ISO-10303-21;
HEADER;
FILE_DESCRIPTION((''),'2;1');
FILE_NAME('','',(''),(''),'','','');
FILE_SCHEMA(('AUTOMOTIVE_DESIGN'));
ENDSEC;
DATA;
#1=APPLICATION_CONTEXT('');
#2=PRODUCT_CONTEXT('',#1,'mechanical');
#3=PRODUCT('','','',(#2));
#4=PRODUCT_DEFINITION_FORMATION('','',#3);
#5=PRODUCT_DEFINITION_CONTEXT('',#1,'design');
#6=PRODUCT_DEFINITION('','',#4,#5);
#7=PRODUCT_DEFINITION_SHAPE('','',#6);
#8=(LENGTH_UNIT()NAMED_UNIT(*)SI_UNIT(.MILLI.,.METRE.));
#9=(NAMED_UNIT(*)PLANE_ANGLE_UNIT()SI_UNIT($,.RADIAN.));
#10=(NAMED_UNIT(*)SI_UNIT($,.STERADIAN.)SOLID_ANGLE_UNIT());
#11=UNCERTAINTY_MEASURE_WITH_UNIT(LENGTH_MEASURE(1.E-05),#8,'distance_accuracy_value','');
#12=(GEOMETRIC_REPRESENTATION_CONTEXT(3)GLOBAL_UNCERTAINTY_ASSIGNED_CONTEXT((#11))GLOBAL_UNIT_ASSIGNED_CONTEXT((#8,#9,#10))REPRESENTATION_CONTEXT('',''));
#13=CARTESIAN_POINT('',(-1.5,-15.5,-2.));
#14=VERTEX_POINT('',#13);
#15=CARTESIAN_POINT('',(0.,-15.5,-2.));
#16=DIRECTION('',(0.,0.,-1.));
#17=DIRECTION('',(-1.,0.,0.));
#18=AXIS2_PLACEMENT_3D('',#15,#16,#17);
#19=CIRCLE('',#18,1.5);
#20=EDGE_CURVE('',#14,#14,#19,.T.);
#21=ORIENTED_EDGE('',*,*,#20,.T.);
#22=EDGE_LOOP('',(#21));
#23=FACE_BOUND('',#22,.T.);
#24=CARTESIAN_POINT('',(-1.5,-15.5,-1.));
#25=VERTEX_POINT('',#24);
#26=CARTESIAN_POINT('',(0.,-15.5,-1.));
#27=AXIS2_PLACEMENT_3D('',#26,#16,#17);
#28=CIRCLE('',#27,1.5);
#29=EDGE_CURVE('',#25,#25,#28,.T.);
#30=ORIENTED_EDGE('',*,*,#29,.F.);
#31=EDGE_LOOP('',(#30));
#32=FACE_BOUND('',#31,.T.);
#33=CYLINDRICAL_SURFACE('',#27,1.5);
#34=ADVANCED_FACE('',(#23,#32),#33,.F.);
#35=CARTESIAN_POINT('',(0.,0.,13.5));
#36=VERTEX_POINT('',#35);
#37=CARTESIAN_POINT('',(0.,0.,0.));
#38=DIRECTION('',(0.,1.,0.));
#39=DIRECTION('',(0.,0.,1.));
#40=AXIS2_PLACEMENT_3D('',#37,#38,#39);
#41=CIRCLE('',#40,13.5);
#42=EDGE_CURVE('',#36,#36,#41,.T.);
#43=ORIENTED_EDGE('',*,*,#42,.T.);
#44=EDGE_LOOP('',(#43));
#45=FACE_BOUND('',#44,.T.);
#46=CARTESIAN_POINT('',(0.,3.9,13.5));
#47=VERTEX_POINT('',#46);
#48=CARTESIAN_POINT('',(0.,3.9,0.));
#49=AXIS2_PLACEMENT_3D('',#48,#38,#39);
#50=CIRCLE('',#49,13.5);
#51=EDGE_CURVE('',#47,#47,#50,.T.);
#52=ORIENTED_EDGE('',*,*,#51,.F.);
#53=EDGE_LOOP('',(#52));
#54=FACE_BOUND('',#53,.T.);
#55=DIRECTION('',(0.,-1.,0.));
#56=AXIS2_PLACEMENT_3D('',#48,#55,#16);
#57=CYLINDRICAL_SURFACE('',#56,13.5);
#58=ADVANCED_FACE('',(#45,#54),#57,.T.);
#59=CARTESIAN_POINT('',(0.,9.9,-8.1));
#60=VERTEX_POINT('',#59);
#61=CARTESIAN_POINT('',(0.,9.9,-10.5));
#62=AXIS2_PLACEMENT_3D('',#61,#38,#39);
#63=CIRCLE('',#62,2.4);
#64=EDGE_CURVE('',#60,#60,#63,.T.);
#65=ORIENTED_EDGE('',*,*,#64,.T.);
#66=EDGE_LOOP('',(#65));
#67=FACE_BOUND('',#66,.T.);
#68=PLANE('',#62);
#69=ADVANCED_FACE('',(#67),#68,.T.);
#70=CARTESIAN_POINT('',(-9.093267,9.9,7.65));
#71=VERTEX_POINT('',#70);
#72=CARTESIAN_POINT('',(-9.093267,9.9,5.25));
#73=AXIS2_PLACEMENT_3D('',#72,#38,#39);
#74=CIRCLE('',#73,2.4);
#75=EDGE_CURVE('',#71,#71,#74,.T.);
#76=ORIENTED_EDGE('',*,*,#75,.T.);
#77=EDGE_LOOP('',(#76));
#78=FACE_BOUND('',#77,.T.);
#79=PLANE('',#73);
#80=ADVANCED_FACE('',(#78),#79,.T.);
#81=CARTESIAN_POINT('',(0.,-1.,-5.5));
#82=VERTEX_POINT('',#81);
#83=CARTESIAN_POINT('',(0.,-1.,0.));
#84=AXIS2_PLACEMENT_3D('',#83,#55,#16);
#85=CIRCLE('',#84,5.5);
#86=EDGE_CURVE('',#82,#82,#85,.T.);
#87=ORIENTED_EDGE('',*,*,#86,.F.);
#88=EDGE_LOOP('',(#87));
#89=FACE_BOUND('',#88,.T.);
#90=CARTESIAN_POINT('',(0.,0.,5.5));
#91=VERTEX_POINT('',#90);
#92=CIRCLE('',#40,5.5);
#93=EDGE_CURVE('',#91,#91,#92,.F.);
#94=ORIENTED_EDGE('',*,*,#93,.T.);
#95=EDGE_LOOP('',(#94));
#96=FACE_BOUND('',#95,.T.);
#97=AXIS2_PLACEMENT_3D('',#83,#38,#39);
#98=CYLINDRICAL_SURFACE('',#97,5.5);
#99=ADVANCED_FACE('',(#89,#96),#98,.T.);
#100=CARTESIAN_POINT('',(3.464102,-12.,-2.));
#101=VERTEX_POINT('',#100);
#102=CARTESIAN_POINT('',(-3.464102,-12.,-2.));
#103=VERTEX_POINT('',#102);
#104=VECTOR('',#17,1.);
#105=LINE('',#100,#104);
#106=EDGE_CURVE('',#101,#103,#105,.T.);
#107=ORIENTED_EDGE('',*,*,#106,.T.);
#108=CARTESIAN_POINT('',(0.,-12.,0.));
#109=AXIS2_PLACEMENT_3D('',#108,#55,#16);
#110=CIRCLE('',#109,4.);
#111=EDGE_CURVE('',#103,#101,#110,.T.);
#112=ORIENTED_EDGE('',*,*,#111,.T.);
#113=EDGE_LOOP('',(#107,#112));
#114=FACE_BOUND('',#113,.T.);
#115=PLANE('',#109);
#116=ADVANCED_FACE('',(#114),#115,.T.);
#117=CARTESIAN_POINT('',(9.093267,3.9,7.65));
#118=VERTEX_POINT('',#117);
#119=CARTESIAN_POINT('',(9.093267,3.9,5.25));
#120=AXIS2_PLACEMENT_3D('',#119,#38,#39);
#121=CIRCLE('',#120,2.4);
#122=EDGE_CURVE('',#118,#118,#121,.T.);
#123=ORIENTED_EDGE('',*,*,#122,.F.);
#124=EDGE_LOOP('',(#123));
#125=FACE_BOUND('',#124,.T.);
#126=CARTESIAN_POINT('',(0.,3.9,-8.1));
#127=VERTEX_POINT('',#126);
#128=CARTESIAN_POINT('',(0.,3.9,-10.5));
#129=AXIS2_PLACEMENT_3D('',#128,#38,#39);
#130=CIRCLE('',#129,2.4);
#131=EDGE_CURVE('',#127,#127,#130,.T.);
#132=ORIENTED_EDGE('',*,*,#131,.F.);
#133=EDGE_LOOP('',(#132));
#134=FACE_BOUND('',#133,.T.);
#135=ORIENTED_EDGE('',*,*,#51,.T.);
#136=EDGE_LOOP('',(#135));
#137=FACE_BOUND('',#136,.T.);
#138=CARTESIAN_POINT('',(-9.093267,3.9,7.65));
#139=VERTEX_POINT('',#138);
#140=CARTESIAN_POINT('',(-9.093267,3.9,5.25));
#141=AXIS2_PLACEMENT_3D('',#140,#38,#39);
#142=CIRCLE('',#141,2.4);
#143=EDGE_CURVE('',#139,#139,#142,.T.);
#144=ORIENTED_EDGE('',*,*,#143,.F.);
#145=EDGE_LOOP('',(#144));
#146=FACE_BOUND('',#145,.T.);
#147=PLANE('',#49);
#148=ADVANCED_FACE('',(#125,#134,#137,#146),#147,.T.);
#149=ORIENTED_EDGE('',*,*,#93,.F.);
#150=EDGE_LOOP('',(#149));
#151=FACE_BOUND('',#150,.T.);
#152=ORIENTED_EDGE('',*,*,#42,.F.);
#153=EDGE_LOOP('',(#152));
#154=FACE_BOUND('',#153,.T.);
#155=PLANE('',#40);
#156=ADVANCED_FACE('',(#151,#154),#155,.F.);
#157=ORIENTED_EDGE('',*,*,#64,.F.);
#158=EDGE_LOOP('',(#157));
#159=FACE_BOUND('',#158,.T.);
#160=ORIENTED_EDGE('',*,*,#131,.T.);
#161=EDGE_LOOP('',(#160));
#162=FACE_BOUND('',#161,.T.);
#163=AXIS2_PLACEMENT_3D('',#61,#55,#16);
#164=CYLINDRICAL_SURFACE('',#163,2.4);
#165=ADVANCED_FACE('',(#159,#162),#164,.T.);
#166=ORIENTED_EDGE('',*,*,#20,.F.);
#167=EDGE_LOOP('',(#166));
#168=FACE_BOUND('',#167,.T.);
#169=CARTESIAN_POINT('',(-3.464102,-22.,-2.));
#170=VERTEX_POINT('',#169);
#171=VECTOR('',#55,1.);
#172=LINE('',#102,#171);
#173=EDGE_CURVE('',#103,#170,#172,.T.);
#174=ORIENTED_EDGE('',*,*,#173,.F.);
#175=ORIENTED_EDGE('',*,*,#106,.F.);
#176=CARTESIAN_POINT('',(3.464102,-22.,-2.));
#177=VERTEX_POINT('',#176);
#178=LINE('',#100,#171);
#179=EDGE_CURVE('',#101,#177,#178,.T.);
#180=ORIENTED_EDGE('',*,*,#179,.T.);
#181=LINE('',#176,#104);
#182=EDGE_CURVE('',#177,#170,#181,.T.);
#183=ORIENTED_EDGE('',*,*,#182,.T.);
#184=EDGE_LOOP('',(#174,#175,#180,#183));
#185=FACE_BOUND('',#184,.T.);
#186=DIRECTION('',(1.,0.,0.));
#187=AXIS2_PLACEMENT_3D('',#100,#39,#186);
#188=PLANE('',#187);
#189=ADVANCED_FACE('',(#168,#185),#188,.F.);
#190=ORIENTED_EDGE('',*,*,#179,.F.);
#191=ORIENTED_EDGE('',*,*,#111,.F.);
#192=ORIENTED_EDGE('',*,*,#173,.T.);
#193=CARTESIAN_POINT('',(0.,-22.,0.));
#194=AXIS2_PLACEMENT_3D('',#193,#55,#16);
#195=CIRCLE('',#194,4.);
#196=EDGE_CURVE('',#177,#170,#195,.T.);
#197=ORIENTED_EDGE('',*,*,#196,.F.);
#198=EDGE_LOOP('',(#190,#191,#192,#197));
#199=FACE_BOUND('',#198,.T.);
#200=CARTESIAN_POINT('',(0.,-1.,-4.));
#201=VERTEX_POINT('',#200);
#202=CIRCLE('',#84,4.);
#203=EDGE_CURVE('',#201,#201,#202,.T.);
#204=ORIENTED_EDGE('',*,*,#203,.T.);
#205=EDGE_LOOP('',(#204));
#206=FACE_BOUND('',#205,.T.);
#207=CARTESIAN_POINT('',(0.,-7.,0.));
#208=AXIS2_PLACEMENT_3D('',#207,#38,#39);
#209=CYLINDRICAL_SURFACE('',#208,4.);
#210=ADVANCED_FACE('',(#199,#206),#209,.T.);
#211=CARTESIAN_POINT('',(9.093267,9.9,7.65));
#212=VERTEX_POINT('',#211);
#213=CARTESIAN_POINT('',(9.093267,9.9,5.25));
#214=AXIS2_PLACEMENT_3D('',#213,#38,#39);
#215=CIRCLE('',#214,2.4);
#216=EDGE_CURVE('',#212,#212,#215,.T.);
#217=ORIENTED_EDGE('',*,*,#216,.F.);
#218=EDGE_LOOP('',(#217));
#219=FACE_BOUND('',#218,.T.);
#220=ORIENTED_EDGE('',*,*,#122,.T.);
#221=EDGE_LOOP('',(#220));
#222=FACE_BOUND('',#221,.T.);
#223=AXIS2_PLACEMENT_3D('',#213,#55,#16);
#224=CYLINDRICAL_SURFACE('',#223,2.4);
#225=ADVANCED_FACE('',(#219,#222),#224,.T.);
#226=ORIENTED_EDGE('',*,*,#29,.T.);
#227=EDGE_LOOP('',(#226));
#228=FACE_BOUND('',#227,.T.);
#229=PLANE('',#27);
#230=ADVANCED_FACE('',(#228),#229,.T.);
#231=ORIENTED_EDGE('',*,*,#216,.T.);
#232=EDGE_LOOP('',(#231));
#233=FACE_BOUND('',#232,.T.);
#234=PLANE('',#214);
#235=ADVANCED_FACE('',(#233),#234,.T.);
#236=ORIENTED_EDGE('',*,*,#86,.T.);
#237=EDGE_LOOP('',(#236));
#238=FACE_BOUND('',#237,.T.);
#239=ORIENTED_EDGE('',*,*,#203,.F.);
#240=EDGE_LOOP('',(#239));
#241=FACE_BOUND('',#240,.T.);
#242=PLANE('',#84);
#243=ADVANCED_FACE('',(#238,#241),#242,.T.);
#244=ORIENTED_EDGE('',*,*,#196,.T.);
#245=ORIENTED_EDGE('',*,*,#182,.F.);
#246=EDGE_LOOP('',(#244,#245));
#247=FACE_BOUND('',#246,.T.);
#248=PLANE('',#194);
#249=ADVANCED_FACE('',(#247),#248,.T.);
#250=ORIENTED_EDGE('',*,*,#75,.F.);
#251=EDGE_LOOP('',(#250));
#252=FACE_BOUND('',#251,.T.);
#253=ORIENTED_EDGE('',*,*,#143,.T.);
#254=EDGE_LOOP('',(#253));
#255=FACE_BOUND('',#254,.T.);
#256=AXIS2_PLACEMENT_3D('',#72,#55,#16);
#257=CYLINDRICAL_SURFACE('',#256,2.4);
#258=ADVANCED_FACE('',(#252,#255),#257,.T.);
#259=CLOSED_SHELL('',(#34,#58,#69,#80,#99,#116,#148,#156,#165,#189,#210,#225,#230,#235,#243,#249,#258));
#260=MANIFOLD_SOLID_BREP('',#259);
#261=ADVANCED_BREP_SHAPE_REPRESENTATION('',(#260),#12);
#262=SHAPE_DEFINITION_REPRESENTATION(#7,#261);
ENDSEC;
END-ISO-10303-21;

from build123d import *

# Parameters (mm, degrees)
SKETCH_1_R          = 13.5
EXTRUDE_1_DEPTH     = 3.9
SKETCH_2_R          = 2.4
EXTRUDE_2_DEPTH     = 6
SKETCH_3_R          = 4
EXTRUDE_3_DEPTH     = 7
SKETCH_4_R          = 5.5
EXTRUDE_4_DEPTH     = 1
SKETCH_5_R          = 4
EXTRUDE_5_DEPTH     = 15
CUT_EXTRUDE_START   = -10
CUT_EXTRUDE_1_DEPTH = 10
SKETCH_7_R          = 1.5
CUT_EXTRUDE_2_DEPTH = 1


with BuildPart() as part:
    # 草图1 → 凸台-拉伸1 (new body)
    with BuildSketch(Plane(origin=(0, 0, 0), x_dir=(1, 0, 0), z_dir=(0, 1, 0))):
        with Locations(Location((0, 0, 0), (0, 0, 270))):
            Circle(SKETCH_1_R)
    extrude(amount=EXTRUDE_1_DEPTH)

    # 草图2 → 凸台-拉伸2 (add)
    with BuildSketch(Plane(origin=(0, 3.9, 0), x_dir=(1, 0, 0), z_dir=(0, 1, 0))):
        with Locations(Location((0, 10.5, 0), (0, 0, 270))):
            Circle(SKETCH_2_R)
        with Locations(Location((9.09326674, -5.25, 0), (0, 0, 270))):
            Circle(SKETCH_2_R)
        with Locations(Location((-9.09326674, -5.25, 0), (0, 0, 270))):
            Circle(SKETCH_2_R)
    extrude(amount=EXTRUDE_2_DEPTH)

    # 草图3 → 凸台-拉伸3 (add)
    with BuildSketch(Plane.XZ):
        with Locations(Location((0, 0, 0), (0, 0, 270))):
            Circle(SKETCH_3_R)
    extrude(amount=EXTRUDE_3_DEPTH)

    # 草图4 → 凸台-拉伸4 (add)
    with BuildSketch(Plane.XZ):
        with Locations(Location((0, 0, 0), (0, 0, 90))):
            Circle(SKETCH_4_R)
    extrude(amount=EXTRUDE_4_DEPTH)

    # 草图5 → 凸台-拉伸5 (add)
    with BuildSketch(Plane.XZ.offset(7)):
        with Locations(Location((0, 0, 0), (0, 0, 270))):
            Circle(SKETCH_5_R)
    extrude(amount=EXTRUDE_5_DEPTH)

    # 草图6 → 切除-拉伸1 (cut)
    with BuildSketch(Plane.XZ.offset(22).offset(CUT_EXTRUDE_START)):
        with BuildLine():
            Line((3.464101615, -2), (-3.464101615, -2))
            ThreePointArc((-3.464101615, -2), (0, -4), (3.464101615, -2))
        make_face()
    extrude(amount=CUT_EXTRUDE_1_DEPTH, mode=Mode.SUBTRACT)

    # 草图7 → 切除-拉伸2 (cut)
    with BuildSketch(Plane(origin=(0, 0, -2), x_dir=(-1, 0, 0), z_dir=(0, 0, -1))):
        with Locations((0, -15.5)):
            Circle(SKETCH_7_R)
    extrude(amount=-CUT_EXTRUDE_2_DEPTH, mode=Mode.SUBTRACT)


solid = part.part
